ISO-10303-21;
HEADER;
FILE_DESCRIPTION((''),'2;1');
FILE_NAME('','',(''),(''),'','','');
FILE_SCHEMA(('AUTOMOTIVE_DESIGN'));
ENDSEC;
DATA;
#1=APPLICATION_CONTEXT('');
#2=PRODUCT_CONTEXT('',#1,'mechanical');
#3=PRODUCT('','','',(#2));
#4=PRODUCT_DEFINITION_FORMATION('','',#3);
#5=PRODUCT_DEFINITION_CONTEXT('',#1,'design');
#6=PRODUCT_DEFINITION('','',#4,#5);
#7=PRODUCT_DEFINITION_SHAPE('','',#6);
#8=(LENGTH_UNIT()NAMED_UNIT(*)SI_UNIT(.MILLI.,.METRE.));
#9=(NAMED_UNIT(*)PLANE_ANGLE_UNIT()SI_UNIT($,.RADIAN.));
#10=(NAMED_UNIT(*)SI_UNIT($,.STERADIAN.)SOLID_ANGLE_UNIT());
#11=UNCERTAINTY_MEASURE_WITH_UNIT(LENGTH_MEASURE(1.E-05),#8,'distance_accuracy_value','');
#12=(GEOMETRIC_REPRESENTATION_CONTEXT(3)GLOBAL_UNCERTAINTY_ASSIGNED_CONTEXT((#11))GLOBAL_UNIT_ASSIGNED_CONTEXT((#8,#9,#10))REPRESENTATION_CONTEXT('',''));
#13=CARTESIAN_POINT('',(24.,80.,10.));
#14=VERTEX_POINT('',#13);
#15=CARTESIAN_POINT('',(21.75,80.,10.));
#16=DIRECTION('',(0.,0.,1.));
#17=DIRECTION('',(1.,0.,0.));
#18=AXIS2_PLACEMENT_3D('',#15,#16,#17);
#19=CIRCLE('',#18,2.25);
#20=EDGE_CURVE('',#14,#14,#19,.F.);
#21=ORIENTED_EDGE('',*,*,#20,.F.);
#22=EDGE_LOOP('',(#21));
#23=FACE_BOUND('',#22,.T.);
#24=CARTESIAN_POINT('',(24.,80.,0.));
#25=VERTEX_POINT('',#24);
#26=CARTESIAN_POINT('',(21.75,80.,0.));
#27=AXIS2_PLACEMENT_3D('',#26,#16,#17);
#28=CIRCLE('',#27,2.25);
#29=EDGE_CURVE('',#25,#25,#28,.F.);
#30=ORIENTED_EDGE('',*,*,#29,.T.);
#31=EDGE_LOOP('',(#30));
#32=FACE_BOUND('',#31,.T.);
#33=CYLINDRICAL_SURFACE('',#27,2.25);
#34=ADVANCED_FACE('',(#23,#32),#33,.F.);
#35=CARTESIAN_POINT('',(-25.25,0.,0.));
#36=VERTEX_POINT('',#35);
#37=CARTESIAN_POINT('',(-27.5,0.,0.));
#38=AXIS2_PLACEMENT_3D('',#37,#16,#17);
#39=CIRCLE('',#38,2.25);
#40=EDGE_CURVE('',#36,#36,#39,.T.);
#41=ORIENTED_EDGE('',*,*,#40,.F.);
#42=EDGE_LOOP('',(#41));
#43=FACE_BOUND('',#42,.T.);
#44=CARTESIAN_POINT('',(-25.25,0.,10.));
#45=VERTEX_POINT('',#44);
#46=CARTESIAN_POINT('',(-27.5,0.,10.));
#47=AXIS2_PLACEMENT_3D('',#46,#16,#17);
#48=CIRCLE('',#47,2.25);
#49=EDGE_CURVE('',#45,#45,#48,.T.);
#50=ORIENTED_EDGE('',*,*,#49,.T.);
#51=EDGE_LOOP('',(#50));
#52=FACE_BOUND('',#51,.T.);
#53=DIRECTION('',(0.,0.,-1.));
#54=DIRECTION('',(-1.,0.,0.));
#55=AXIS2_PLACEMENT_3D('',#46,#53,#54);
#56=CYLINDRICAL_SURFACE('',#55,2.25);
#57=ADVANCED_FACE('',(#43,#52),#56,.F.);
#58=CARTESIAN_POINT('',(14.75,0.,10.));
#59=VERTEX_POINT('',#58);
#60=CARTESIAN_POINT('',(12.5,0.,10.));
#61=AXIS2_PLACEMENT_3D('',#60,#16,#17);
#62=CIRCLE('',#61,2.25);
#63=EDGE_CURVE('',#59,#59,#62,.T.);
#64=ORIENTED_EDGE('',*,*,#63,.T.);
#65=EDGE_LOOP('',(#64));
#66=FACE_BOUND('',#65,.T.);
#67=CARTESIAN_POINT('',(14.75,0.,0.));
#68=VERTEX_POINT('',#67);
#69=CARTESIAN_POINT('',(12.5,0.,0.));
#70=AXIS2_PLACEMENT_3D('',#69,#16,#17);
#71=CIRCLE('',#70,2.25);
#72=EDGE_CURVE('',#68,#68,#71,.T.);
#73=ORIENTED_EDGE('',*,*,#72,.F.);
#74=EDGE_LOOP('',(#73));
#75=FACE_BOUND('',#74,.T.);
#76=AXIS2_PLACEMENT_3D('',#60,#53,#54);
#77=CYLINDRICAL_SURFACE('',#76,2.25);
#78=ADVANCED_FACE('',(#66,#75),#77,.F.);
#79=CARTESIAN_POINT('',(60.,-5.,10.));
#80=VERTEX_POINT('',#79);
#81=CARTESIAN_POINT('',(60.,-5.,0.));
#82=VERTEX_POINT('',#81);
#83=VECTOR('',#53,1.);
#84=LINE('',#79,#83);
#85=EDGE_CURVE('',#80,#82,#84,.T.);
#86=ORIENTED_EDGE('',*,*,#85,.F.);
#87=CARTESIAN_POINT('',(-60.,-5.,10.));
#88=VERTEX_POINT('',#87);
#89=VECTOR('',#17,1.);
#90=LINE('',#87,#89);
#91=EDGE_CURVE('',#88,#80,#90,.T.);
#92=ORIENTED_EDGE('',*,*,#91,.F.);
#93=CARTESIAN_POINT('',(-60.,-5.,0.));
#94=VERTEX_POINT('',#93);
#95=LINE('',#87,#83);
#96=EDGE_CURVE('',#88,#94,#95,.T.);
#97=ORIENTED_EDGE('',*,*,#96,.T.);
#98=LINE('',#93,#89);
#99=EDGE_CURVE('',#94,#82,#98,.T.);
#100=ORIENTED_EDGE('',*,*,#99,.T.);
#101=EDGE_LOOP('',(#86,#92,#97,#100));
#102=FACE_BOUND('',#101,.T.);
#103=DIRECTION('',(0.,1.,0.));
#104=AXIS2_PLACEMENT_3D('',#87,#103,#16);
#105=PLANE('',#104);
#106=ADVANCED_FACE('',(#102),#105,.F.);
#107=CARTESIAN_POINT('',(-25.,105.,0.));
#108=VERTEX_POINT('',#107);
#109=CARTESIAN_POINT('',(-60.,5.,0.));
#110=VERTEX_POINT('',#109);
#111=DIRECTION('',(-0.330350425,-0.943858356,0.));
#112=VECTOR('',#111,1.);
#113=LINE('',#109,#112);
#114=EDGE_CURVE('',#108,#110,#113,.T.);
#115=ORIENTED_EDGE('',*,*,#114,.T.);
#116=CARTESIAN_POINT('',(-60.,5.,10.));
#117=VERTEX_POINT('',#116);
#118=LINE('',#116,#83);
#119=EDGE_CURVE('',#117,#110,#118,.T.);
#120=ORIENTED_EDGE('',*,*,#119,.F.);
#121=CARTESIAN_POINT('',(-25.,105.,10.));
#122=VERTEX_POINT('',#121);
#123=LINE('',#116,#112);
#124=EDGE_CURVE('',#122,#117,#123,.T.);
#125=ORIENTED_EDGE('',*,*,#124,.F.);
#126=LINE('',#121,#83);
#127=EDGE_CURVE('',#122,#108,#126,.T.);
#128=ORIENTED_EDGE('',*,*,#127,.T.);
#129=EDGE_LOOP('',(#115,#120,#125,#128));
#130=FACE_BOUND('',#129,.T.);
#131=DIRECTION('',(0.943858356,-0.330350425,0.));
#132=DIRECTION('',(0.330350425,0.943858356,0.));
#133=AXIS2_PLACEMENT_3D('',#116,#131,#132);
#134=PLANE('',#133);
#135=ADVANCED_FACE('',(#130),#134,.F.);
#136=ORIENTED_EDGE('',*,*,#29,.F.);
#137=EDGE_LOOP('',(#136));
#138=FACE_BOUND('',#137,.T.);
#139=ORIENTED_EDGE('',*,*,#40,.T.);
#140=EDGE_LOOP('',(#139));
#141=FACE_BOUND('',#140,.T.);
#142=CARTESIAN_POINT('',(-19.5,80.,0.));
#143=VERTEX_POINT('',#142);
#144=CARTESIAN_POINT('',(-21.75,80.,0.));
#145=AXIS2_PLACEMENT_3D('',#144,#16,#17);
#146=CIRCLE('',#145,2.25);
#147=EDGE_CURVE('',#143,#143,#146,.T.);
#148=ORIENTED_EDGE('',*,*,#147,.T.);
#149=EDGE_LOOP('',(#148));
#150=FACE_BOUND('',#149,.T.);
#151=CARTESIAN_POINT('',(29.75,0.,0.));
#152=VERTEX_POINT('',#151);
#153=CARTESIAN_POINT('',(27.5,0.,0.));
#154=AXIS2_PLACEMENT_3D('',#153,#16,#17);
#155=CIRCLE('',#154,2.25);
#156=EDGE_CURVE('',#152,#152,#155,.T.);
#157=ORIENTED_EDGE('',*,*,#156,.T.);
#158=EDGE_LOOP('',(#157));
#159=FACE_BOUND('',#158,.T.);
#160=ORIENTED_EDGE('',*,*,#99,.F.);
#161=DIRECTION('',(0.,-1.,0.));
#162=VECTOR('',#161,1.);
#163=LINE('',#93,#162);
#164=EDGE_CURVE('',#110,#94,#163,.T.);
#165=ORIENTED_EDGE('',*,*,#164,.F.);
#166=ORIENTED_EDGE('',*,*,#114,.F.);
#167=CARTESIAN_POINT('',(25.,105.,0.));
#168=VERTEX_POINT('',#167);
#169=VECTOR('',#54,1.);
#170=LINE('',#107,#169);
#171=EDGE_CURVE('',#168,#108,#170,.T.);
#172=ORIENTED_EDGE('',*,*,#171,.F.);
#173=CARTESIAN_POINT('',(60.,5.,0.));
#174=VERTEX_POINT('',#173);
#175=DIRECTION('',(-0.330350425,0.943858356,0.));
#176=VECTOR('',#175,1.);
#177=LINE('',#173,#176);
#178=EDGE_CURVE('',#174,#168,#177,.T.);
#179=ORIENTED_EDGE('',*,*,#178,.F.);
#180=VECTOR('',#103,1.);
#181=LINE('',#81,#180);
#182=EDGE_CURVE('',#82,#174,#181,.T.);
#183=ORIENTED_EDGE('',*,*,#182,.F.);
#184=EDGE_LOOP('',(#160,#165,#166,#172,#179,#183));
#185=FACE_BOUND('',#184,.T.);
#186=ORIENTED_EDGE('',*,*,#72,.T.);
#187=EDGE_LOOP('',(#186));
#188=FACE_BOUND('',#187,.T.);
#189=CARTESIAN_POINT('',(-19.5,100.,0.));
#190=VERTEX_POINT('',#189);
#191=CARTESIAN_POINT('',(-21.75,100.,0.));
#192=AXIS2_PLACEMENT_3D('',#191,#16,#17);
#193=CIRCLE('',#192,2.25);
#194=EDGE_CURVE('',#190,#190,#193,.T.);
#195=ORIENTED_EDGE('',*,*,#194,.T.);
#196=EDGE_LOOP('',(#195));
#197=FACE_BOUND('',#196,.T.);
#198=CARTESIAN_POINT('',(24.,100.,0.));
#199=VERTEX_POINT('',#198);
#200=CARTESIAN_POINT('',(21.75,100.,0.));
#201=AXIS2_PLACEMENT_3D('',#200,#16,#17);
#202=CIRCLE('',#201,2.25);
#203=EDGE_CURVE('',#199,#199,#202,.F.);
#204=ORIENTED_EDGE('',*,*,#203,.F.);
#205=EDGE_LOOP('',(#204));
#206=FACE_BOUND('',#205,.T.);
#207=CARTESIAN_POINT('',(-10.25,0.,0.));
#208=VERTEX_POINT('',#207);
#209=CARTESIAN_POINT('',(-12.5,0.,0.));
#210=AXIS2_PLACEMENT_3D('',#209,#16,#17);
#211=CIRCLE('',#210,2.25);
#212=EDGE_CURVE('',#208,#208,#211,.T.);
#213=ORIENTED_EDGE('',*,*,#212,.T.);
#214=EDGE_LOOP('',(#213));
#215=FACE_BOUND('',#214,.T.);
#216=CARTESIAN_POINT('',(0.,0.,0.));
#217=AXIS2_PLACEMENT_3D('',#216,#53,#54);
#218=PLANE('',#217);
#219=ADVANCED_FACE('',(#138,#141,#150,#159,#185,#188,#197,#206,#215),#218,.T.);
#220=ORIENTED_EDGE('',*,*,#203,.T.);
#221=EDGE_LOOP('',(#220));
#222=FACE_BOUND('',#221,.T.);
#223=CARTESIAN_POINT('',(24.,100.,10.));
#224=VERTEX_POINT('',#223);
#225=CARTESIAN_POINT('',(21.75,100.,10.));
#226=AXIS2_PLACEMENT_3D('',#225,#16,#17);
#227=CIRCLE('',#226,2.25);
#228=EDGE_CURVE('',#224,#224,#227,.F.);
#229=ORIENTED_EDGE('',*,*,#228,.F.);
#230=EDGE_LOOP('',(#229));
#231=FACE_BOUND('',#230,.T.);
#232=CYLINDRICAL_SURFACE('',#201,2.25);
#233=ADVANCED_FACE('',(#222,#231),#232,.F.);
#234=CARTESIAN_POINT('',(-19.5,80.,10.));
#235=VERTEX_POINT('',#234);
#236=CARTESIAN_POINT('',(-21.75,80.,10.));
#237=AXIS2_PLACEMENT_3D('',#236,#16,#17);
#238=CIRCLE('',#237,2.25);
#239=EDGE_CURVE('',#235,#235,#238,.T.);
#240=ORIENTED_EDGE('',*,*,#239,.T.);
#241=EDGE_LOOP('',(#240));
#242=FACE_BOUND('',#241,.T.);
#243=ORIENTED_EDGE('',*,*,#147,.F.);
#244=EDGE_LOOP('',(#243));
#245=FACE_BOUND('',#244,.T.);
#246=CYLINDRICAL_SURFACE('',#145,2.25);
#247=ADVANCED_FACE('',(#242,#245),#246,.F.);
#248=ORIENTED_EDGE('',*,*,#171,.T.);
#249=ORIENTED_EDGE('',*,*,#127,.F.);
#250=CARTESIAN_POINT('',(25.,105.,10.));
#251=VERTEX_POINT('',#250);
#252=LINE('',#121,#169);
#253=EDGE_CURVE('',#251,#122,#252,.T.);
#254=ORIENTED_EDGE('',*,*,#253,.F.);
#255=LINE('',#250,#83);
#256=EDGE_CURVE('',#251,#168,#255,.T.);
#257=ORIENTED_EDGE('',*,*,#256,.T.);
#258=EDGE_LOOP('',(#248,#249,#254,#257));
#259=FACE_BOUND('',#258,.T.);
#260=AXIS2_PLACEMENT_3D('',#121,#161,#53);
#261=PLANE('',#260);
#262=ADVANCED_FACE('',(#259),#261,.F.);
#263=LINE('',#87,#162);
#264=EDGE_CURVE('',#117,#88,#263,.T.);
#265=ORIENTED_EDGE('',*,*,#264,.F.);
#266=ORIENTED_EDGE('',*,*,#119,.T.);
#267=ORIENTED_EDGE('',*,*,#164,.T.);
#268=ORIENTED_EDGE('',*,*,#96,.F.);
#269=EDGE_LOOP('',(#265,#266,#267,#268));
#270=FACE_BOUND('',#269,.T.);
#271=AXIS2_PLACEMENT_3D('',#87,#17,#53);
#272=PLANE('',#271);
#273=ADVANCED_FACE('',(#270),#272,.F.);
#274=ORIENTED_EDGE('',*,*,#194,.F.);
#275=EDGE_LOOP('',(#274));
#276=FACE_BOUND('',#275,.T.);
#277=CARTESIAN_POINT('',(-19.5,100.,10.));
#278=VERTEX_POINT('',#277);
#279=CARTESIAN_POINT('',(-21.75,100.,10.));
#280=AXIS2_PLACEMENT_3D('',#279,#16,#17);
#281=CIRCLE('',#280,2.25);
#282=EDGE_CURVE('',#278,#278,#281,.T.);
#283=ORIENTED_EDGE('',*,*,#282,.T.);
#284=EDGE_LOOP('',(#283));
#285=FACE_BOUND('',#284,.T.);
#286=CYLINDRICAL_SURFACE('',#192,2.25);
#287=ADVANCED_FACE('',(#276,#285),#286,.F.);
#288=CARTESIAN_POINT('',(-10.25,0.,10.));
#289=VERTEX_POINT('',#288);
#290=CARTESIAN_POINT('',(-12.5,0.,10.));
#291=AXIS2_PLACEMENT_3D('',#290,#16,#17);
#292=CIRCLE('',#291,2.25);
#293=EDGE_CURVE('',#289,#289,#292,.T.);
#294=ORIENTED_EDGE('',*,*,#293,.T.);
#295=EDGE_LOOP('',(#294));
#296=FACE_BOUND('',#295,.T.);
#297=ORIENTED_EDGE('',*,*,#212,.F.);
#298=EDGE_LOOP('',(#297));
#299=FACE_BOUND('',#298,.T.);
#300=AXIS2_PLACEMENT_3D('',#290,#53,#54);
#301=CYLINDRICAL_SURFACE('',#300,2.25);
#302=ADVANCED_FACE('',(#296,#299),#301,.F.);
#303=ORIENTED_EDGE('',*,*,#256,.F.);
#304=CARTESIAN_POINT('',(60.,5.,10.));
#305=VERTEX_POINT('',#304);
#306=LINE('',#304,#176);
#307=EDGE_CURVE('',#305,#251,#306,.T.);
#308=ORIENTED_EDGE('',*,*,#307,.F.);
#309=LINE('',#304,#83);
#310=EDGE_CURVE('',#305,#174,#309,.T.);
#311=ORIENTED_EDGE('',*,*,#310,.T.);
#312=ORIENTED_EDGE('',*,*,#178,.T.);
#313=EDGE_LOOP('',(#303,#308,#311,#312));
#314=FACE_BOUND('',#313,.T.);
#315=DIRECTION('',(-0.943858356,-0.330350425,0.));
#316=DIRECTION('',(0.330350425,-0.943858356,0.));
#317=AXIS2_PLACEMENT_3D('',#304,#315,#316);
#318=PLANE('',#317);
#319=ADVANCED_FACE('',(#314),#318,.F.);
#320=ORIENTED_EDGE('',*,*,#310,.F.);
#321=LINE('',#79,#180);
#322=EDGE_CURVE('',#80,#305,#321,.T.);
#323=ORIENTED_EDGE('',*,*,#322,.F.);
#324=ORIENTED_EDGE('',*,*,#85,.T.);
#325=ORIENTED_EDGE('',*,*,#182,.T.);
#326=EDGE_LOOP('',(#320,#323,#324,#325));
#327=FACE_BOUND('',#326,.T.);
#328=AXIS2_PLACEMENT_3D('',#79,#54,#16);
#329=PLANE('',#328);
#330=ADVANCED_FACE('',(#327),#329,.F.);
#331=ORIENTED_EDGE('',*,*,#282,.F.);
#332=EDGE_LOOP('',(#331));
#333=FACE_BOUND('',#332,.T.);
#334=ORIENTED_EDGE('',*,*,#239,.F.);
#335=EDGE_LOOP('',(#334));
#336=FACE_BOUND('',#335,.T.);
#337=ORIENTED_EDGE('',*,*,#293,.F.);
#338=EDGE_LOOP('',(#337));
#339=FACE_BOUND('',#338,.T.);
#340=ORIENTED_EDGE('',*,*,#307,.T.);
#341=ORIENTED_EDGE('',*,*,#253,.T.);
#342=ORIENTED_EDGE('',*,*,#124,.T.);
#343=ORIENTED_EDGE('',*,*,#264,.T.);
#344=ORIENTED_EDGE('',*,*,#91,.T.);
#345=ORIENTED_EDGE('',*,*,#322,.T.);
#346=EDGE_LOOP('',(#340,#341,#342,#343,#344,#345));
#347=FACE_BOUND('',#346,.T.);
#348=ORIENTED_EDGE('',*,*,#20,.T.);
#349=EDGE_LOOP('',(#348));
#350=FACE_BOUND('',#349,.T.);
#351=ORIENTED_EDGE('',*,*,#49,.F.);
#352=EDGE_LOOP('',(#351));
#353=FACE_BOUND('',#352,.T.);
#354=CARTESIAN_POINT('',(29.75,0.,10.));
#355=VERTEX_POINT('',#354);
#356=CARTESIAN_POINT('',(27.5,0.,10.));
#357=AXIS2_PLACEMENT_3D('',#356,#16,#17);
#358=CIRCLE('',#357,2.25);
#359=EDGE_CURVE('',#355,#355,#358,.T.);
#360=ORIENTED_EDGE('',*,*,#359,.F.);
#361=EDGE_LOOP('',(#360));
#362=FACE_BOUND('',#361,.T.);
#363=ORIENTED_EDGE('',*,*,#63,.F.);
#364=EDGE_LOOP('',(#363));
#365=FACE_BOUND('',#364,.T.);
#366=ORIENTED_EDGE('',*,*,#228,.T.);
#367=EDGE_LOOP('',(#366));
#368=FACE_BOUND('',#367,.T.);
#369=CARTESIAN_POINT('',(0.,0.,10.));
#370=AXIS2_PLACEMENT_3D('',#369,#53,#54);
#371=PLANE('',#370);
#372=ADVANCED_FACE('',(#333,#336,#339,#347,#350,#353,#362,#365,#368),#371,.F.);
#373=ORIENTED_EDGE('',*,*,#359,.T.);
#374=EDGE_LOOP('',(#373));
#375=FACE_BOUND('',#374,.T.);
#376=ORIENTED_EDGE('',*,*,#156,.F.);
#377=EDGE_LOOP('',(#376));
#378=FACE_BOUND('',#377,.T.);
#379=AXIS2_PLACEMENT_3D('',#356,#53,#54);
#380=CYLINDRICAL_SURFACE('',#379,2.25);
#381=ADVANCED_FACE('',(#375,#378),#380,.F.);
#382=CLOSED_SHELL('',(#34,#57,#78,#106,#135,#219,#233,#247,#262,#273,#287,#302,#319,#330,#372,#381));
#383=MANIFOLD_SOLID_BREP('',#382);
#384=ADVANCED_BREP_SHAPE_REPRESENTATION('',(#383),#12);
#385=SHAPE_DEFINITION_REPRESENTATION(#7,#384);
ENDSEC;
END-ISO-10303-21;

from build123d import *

# Parameters (mm, degrees)
SKETCH1_R           = 2.25
BOSS_EXTRUDE1_DEPTH = 10
SKETCH2_R           = 2.25
CUT_EXTRUDE1_DEPTH  = 11


with BuildPart() as part:
    # Sketch1 → Boss-Extrude1 (new body)
    with BuildSketch(Plane.XY):
        Polygon((-60, -5), (60, -5), (60, 5), (25, 105), (-25, 105), (-60, 5), align=None)
        with Locations((27.5, 0)):
            Circle(SKETCH1_R, mode=Mode.SUBTRACT)
        with Locations((12.5, 0)):
            Circle(SKETCH1_R, mode=Mode.SUBTRACT)
        with Locations((-12.5, 0)):
            Circle(SKETCH1_R, mode=Mode.SUBTRACT)
        with Locations((-27.5, 0)):
            Circle(SKETCH1_R, mode=Mode.SUBTRACT)
    extrude(amount=BOSS_EXTRUDE1_DEPTH)

    # Sketch2 → Cut-Extrude1 (cut, through all)
    with BuildSketch(Plane.XY.offset(10)):
        with Locations((-21.75, 80)):
            Circle(SKETCH2_R)
        with Locations((21.75, 80)):
            Circle(SKETCH2_R)
        with Locations((21.75, 100)):
            Circle(SKETCH2_R)
        with Locations((-21.75, 100)):
            Circle(SKETCH2_R)
    extrude(amount=-CUT_EXTRUDE1_DEPTH, mode=Mode.SUBTRACT)


solid = part.part
